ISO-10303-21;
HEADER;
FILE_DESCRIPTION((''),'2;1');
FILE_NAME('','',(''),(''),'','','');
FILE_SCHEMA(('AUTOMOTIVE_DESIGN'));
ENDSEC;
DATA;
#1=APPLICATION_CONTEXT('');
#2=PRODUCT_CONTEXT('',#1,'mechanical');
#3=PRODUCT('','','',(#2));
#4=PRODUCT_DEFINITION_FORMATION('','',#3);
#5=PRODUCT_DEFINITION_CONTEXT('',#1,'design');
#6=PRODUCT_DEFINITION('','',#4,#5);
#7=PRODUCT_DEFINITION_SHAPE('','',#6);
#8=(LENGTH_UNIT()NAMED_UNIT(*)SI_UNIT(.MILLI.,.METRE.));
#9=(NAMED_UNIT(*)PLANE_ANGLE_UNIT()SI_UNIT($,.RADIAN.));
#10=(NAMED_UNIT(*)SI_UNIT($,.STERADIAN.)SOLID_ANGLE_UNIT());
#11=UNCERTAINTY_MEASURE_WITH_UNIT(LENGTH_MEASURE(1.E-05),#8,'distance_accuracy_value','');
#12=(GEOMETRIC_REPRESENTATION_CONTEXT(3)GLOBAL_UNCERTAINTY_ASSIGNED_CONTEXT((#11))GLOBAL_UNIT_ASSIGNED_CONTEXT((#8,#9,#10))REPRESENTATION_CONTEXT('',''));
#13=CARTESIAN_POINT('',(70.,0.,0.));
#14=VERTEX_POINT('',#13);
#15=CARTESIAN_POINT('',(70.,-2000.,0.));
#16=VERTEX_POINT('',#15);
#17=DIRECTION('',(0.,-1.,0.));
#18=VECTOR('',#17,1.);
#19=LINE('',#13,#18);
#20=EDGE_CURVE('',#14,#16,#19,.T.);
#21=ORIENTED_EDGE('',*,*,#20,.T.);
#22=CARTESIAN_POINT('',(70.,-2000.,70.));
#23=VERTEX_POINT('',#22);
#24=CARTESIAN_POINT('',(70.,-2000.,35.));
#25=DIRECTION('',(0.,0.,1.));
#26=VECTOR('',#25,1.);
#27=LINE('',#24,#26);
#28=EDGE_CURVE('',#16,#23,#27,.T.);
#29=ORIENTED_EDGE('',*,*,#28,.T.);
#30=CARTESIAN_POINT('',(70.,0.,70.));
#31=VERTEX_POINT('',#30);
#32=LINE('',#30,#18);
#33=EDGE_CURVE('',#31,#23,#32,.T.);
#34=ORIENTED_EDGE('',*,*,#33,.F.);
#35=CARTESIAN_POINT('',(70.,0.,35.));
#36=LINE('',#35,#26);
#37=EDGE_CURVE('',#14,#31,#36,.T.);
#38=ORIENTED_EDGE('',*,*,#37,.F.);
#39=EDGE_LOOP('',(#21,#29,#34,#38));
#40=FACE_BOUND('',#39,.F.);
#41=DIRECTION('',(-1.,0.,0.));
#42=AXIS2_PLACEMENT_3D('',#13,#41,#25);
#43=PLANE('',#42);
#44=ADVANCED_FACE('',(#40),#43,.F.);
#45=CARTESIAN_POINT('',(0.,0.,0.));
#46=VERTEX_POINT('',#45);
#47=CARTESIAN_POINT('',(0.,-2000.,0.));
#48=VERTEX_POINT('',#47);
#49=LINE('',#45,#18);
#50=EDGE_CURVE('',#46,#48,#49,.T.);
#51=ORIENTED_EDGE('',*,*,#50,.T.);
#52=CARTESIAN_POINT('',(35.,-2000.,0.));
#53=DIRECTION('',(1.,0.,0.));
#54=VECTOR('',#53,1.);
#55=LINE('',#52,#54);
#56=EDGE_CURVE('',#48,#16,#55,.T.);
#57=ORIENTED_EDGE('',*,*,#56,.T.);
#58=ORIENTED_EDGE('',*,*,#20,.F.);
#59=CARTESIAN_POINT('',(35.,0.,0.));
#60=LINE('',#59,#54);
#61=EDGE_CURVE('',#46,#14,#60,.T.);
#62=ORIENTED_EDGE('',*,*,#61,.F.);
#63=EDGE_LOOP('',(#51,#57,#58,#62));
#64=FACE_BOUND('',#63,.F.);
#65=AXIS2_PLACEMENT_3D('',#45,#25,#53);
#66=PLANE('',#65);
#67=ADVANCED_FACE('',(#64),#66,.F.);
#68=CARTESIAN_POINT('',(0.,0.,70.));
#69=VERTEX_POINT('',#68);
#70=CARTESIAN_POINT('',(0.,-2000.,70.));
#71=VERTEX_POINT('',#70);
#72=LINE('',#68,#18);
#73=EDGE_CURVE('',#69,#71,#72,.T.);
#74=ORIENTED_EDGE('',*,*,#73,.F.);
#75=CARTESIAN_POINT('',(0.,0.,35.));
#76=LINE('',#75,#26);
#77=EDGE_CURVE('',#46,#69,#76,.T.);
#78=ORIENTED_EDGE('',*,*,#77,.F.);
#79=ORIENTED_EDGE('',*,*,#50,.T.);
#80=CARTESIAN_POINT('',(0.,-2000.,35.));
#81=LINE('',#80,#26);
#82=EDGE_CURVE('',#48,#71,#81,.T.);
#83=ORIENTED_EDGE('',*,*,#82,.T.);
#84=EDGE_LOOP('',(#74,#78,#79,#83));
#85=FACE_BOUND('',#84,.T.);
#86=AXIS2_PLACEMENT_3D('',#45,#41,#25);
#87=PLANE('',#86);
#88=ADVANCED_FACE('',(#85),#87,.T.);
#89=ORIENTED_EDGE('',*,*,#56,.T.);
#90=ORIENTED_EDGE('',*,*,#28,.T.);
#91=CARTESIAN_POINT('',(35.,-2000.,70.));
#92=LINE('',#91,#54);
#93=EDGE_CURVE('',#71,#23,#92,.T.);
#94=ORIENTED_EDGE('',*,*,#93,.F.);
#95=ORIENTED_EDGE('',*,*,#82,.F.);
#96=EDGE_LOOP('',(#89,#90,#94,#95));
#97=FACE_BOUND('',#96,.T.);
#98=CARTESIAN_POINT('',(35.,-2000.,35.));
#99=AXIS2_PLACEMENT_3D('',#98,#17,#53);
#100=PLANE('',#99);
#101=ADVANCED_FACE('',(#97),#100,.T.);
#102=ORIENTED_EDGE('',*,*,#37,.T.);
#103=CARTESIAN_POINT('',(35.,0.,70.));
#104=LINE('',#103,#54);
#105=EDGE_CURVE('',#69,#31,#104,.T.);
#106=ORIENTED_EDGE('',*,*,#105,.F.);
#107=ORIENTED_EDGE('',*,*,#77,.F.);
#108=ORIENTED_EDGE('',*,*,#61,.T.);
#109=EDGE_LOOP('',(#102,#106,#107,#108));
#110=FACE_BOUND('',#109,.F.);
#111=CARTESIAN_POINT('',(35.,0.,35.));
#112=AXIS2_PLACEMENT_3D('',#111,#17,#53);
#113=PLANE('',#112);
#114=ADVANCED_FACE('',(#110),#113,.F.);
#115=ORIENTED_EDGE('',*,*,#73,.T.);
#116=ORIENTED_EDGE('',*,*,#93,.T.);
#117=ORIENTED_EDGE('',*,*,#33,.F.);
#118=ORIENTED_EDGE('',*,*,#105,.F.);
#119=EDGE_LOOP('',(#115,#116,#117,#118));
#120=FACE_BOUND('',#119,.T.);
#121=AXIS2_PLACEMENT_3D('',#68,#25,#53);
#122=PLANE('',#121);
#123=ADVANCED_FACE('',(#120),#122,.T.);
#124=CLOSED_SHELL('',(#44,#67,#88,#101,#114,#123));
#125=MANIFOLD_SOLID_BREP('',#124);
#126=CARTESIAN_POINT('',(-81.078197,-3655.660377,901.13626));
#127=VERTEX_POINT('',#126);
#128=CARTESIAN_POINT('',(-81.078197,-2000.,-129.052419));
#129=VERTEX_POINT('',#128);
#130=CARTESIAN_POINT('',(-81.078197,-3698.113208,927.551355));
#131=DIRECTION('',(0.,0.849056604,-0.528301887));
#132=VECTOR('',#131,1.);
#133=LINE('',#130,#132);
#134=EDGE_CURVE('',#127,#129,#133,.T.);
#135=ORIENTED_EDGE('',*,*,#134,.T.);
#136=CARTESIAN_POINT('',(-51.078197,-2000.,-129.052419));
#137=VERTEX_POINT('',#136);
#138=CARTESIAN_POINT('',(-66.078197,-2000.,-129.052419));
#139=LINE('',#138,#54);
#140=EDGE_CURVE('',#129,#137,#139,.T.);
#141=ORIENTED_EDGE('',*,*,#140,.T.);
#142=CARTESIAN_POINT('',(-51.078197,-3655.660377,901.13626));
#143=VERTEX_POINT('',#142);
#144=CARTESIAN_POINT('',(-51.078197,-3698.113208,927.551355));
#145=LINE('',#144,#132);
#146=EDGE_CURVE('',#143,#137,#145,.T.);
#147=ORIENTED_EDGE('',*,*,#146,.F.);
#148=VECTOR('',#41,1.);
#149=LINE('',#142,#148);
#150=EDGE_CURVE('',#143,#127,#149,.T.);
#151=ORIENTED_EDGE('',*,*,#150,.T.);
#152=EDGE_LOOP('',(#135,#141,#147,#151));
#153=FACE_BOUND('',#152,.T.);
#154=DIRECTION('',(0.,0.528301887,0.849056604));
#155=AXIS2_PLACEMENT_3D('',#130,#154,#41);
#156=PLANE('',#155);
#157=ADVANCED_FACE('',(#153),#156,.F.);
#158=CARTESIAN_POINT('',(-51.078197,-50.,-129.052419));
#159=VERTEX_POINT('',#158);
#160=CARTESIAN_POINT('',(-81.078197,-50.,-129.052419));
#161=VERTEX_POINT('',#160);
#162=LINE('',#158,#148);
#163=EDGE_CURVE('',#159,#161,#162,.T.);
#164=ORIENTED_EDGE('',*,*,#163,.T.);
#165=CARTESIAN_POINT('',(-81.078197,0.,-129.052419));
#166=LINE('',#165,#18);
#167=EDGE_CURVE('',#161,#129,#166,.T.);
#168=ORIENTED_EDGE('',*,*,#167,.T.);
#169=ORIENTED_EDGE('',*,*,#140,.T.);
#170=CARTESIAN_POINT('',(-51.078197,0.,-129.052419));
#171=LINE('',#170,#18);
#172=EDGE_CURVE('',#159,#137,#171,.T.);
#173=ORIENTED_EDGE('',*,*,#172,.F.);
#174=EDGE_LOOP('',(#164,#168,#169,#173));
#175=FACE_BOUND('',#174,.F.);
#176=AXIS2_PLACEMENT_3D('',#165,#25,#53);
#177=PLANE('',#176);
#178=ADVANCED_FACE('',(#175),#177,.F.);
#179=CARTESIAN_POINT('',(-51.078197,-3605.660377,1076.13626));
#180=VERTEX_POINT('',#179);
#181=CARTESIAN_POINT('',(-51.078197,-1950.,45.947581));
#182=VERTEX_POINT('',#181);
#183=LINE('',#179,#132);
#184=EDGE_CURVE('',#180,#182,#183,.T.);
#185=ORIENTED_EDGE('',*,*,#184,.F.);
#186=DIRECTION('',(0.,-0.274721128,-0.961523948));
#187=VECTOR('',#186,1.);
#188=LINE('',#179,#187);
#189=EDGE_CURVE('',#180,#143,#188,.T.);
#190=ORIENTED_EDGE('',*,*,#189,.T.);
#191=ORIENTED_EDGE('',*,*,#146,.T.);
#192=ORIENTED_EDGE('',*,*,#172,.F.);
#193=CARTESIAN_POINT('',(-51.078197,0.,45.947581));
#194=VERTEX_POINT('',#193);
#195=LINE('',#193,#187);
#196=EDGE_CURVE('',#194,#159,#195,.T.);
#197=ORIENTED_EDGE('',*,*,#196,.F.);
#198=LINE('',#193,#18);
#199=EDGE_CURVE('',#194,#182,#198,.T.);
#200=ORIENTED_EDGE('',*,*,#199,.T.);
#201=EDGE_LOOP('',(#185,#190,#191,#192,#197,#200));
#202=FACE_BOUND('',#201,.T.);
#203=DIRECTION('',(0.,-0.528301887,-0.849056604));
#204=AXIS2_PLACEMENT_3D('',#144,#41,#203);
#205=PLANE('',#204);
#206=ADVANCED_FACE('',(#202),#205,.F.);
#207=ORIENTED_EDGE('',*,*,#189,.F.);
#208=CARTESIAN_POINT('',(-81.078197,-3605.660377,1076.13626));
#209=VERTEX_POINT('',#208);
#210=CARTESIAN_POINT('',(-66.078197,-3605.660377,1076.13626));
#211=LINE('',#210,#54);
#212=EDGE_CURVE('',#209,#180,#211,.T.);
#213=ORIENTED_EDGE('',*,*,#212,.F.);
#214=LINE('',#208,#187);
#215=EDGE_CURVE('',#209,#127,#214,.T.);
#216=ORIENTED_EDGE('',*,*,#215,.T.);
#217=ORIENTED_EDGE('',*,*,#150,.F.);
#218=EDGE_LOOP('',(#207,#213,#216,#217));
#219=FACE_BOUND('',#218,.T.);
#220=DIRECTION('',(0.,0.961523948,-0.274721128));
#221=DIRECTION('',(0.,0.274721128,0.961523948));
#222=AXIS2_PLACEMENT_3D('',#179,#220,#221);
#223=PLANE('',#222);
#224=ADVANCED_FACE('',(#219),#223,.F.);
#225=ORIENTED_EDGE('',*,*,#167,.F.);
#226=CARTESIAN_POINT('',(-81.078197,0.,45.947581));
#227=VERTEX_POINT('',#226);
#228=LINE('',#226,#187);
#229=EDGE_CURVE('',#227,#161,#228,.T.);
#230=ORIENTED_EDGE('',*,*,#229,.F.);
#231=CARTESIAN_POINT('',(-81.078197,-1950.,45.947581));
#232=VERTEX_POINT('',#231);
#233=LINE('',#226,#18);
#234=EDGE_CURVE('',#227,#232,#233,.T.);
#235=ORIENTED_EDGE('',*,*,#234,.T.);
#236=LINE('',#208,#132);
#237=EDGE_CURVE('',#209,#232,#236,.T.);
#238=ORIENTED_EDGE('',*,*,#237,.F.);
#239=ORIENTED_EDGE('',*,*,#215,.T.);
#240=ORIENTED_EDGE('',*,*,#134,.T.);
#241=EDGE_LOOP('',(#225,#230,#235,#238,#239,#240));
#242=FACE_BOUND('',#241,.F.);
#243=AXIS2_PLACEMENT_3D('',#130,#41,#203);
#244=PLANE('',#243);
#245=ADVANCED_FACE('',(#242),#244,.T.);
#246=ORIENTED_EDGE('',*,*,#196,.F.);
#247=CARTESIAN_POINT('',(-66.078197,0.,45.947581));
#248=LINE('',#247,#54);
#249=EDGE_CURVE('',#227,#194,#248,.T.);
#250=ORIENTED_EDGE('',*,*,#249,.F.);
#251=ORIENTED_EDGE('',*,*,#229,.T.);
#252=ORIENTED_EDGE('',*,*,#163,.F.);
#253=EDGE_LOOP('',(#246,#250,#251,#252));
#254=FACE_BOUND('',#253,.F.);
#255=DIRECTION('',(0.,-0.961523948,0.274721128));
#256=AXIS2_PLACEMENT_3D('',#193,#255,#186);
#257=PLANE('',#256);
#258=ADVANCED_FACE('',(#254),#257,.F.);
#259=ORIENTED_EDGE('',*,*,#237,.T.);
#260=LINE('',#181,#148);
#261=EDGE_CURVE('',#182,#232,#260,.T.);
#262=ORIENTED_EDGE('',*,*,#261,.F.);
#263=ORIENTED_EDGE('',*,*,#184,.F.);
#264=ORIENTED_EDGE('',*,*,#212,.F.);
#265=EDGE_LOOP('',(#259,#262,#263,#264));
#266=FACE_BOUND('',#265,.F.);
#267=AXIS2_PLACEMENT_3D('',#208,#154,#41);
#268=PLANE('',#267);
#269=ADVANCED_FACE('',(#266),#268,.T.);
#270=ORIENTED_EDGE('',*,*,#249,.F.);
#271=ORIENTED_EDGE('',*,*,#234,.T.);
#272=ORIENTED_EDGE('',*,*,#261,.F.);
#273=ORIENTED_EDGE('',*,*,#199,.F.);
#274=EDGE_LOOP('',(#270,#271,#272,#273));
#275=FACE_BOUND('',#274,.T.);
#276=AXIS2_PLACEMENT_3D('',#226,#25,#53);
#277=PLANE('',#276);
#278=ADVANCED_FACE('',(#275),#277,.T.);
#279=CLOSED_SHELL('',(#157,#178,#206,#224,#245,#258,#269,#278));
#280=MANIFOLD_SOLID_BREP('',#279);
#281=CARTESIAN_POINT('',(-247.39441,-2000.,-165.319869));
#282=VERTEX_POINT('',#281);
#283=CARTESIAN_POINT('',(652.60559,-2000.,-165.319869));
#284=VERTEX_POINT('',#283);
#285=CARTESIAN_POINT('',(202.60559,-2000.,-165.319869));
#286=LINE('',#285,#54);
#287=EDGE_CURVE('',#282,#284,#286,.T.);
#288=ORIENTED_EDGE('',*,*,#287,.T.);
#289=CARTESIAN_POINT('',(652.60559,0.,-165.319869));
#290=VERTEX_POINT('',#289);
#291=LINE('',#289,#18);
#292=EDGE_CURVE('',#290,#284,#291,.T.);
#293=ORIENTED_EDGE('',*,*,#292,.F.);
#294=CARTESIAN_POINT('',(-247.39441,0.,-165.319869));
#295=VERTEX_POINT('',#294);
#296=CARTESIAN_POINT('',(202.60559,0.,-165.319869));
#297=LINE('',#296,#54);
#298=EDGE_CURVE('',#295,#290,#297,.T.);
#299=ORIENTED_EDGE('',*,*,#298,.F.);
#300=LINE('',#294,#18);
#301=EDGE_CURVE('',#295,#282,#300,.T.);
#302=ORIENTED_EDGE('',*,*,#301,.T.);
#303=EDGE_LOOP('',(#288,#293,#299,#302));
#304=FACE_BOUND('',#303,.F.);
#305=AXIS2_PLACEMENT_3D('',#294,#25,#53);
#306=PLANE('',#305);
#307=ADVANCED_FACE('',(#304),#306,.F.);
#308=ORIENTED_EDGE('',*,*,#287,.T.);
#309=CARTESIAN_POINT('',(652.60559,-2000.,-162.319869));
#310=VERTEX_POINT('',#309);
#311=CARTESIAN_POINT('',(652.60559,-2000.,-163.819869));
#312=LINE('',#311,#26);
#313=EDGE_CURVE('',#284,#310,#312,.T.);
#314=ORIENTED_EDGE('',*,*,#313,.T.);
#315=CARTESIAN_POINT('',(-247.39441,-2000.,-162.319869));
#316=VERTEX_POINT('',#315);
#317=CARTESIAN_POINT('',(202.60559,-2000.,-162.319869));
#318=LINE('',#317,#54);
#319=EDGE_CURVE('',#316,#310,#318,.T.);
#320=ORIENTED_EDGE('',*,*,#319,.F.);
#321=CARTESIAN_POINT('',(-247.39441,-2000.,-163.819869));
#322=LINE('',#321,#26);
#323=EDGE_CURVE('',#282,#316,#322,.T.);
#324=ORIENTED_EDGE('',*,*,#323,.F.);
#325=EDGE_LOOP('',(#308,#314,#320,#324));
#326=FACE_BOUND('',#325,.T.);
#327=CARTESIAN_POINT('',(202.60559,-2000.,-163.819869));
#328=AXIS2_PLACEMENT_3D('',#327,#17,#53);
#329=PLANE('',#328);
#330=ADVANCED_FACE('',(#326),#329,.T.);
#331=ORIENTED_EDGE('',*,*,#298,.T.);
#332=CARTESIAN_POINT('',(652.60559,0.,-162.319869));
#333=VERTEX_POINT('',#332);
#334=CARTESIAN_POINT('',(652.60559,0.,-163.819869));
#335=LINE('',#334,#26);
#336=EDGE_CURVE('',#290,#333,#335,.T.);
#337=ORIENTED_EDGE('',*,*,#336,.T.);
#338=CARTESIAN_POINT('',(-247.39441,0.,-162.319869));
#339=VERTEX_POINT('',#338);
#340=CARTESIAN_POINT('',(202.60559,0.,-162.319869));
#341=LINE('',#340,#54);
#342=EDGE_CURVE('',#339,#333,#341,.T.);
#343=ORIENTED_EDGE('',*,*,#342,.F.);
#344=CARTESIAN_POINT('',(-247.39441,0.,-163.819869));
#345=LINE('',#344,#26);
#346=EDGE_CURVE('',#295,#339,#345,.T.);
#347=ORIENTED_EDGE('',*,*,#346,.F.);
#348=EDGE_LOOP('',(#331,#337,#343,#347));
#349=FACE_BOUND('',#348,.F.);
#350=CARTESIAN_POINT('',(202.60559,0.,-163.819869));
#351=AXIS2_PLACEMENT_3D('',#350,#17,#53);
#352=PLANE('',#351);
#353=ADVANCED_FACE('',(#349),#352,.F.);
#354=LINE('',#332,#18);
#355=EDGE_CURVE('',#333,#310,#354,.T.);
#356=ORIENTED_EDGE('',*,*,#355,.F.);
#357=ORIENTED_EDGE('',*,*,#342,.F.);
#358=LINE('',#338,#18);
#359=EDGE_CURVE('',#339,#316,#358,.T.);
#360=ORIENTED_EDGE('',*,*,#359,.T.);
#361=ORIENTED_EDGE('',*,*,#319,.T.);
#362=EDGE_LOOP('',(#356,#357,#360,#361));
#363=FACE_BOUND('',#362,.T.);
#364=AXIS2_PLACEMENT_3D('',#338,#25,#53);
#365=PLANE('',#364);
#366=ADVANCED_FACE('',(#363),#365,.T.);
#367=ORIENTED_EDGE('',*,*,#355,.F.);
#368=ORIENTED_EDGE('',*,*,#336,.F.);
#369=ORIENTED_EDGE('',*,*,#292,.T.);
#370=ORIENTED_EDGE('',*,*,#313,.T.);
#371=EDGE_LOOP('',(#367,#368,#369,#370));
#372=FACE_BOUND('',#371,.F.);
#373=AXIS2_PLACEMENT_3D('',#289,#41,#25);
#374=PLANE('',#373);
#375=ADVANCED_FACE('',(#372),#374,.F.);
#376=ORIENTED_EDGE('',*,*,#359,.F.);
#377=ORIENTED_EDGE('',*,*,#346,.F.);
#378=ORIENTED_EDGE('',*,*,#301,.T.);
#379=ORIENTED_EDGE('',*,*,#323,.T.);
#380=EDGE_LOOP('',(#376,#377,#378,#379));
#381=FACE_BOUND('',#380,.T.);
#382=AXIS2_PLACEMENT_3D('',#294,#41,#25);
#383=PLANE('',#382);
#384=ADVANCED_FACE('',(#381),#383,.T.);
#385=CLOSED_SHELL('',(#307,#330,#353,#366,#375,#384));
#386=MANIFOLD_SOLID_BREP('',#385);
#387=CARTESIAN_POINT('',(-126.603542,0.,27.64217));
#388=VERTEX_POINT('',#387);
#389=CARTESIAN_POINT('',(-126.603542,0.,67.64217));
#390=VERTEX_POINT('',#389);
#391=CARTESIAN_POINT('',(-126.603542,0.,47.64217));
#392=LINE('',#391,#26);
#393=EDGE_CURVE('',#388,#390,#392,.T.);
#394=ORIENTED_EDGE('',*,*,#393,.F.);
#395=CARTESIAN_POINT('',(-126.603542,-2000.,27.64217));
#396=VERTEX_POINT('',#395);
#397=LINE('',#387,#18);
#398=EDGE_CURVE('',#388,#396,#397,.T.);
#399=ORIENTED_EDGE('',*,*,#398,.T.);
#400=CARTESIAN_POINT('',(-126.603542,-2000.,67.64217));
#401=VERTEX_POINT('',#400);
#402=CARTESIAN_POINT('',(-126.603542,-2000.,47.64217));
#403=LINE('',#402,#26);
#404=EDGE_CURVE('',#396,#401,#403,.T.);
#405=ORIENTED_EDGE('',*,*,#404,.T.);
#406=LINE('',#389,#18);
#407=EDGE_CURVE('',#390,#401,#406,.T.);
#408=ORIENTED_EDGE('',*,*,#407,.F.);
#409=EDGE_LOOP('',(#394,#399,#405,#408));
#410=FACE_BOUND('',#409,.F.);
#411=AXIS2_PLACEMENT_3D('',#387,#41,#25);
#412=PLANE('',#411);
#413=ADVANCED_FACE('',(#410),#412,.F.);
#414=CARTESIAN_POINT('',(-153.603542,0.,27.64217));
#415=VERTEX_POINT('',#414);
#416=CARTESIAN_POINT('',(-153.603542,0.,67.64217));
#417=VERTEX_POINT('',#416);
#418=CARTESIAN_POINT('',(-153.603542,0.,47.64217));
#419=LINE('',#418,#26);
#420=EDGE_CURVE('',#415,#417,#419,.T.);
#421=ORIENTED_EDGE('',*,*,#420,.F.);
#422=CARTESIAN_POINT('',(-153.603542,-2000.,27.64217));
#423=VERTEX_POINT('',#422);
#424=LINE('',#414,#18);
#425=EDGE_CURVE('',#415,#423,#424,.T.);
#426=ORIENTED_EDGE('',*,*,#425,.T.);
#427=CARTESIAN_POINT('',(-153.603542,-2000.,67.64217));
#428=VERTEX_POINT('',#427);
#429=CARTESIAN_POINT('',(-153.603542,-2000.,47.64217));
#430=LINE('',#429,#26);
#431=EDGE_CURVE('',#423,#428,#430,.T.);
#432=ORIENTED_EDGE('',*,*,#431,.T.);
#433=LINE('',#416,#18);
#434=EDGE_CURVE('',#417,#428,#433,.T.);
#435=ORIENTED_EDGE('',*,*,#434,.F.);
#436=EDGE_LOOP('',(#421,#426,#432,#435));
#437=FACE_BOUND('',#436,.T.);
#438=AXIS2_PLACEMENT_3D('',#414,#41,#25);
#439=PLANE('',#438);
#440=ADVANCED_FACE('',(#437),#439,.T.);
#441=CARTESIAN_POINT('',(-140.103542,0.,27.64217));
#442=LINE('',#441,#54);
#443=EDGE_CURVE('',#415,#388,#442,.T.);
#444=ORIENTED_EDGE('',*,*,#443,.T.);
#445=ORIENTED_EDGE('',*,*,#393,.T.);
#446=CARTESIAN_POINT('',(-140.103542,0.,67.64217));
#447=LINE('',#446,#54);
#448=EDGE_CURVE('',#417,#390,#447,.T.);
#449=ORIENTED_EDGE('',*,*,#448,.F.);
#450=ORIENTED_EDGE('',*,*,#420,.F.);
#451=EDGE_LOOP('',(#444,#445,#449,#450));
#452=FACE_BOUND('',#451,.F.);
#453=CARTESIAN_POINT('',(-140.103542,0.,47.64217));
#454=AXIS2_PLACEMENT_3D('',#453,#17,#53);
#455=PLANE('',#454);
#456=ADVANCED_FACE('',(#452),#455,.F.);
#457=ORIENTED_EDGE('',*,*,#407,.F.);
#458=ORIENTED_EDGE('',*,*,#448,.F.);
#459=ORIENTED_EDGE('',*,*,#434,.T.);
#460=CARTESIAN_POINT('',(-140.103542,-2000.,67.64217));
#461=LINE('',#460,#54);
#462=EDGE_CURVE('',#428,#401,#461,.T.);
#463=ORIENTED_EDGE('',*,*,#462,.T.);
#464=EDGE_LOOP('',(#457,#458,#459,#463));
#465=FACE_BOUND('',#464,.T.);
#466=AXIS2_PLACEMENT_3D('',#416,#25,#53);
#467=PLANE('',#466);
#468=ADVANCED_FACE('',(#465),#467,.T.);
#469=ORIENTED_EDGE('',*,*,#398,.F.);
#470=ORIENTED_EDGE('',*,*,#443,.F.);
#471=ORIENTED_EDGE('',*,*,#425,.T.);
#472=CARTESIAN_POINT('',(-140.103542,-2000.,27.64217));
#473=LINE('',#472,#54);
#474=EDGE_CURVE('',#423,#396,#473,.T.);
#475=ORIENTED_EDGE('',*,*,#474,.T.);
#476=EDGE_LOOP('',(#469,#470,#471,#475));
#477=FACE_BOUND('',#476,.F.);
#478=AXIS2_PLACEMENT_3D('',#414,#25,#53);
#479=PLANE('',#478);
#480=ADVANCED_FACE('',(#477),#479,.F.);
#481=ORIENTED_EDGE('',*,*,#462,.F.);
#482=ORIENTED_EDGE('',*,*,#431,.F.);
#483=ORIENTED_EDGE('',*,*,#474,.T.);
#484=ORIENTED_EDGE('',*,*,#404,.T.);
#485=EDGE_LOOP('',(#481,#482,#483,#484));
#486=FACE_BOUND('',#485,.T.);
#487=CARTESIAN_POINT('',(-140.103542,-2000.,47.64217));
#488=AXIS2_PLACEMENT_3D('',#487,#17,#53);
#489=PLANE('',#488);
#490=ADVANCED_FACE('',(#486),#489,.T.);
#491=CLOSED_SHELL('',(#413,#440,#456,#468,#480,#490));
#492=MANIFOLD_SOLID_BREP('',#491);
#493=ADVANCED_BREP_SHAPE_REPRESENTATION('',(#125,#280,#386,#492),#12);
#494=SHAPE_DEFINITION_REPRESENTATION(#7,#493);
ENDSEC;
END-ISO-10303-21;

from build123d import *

# Parameters (mm, degrees)
F0_W     = 70
F0_H     = 70
F1_DEPTH = 2000
F2_W     = 30
F2_H     = 175
F3_DEPTH = 2000
F4_W     = 27
F4_H     = 40
F5_DEPTH = 2000
F6_W     = 900
F6_H     = 3
F7_DEPTH = 2000
F9_DEPTH = 30


with BuildPart() as f1:
    # F0 (on Front) → F1 (new body)
    with BuildSketch(Plane.XZ):
        with Locations((35, 35)):
            Rectangle(F0_W, F0_H)
    extrude(amount=F1_DEPTH)


with BuildPart() as f3:
    # F2 (on Front) → F3 (new body)
    with BuildSketch(Plane.XZ):
        with Locations((-66.078197351, -41.5524188429)):
            Rectangle(F2_W, F2_H)
    extrude(amount=F3_DEPTH)

    # F8 (on face) → F9 (cut, through all)
    with BuildSketch(Plane.YZ.offset(-51.078197351)):
        Polygon((0, 45.9475811571), (-50, -129.0524188429), (0, -129.0524188429), align=None)
        Polygon((-2000, 45.9475811571), (-2000, -129.0524188429), (-1950, 45.9475811571), align=None)
    extrude(amount=-F9_DEPTH, mode=Mode.SUBTRACT)

    # F10: F3 across face


with BuildPart() as f5:
    # F4 (on Front) → F5 (new body)
    with BuildSketch(Plane.XZ):
        with Locations((-140.1035415985, 47.6421695203)):
            Rectangle(F4_W, F4_H)
    extrude(amount=F5_DEPTH)


with BuildPart() as f7:
    # F6 (on Front) → F7 (new body)
    with BuildSketch(Plane.XZ):
        with Locations((202.6055902243, -163.8198691128)):
            Rectangle(F6_W, F6_H)
    extrude(amount=F7_DEPTH)


with BuildPart() as f3_1:
    add(f3.part)
    add(f3.part.mirror(Plane(origin=(-66.078197351, -1975, -41.5524188429), x_dir=(1, 0, 0), z_dir=(0, -0.9615239476, 0.2747211279))))


solid = Compound([f1.part, f5.part, f7.part, f3_1.part])
